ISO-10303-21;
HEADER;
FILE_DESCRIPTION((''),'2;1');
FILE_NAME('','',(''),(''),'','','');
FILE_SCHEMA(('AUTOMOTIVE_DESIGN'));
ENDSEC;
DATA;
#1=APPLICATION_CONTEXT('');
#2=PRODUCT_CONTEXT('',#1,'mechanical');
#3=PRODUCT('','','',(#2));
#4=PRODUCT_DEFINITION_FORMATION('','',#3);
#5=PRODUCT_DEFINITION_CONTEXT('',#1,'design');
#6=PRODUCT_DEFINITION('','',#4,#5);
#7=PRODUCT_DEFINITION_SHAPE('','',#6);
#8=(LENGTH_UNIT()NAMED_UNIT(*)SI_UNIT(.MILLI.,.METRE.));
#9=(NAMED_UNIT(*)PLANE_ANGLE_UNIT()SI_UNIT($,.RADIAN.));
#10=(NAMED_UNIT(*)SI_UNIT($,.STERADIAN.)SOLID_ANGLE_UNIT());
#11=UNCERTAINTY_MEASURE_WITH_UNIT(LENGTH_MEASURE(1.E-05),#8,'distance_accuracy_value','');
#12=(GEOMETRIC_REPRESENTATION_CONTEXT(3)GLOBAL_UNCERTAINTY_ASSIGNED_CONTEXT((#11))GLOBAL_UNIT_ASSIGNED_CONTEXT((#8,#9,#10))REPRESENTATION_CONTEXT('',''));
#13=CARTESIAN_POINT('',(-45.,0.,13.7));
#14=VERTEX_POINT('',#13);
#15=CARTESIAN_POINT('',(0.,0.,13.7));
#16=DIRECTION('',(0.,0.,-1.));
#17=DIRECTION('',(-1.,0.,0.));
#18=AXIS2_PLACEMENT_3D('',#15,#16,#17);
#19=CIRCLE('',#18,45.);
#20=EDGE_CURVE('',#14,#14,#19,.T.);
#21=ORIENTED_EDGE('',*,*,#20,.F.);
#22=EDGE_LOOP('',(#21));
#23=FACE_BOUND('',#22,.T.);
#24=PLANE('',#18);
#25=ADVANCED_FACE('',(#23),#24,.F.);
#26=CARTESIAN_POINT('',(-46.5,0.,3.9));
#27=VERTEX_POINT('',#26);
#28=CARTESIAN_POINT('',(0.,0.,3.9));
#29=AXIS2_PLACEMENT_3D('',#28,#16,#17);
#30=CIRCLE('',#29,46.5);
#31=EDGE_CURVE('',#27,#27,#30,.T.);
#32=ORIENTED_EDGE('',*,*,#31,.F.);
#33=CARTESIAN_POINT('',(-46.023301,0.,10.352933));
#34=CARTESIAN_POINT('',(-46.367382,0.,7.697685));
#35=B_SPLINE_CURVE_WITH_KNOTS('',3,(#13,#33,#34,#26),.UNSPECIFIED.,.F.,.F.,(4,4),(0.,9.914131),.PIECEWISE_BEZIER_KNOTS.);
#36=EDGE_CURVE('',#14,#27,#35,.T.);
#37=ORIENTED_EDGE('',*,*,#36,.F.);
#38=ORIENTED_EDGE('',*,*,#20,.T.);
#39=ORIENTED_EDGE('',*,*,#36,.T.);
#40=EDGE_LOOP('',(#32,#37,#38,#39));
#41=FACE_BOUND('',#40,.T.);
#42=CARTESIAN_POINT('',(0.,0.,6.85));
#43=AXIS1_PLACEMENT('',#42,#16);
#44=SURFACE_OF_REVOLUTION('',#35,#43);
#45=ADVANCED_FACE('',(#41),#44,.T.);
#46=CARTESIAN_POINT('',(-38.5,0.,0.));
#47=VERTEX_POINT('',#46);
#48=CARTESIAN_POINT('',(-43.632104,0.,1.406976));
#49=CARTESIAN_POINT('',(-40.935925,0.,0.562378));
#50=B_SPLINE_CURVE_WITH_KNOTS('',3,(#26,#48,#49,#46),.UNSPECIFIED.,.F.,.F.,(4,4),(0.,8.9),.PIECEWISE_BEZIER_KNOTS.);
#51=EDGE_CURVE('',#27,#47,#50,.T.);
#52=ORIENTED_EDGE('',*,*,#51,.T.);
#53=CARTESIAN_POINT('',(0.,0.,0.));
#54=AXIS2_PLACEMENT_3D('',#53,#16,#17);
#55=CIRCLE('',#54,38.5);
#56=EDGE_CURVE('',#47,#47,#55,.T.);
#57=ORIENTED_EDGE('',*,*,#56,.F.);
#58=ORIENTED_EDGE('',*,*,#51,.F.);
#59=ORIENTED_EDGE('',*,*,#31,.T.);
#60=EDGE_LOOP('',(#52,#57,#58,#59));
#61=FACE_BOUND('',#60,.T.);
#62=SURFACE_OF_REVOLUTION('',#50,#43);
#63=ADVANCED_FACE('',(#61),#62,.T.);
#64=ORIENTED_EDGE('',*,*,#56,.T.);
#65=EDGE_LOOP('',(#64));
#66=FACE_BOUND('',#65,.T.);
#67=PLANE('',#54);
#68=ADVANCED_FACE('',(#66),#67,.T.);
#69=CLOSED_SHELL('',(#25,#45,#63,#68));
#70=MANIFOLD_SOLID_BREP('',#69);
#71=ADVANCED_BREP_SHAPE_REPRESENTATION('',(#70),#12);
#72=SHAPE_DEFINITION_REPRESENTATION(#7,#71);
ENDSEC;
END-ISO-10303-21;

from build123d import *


with BuildPart() as f1:
    # F0 (on Front) → F1 (revolve)
    with BuildSketch(Plane.XZ):
        with BuildLine():
            Line((0, 0), (0, 13.7))
            Line((0, 13.7), (-45, 13.7))
            add(Edge.make_bspline(
                [(-45, 13.7), (-46.023301, 10.352933), (-46.367382, 7.697685), (-46.5, 3.9)],
                knots=[0, 0, 0, 0, 9.914131, 9.914131, 9.914131, 9.914131], degree=3))
            add(Edge.make_bspline(
                [(-46.5, 3.9), (-43.632104, 1.406976), (-40.935925, 0.562378), (-38.5, 0)],
                knots=[0, 0, 0, 0, 8.9, 8.9, 8.9, 8.9], degree=3))
            Line((-38.5, 0), (0, 0))
        make_face()
    revolve(axis=Axis((0, 0, 6.85), (0, 0, -1)))


solid = f1.part
